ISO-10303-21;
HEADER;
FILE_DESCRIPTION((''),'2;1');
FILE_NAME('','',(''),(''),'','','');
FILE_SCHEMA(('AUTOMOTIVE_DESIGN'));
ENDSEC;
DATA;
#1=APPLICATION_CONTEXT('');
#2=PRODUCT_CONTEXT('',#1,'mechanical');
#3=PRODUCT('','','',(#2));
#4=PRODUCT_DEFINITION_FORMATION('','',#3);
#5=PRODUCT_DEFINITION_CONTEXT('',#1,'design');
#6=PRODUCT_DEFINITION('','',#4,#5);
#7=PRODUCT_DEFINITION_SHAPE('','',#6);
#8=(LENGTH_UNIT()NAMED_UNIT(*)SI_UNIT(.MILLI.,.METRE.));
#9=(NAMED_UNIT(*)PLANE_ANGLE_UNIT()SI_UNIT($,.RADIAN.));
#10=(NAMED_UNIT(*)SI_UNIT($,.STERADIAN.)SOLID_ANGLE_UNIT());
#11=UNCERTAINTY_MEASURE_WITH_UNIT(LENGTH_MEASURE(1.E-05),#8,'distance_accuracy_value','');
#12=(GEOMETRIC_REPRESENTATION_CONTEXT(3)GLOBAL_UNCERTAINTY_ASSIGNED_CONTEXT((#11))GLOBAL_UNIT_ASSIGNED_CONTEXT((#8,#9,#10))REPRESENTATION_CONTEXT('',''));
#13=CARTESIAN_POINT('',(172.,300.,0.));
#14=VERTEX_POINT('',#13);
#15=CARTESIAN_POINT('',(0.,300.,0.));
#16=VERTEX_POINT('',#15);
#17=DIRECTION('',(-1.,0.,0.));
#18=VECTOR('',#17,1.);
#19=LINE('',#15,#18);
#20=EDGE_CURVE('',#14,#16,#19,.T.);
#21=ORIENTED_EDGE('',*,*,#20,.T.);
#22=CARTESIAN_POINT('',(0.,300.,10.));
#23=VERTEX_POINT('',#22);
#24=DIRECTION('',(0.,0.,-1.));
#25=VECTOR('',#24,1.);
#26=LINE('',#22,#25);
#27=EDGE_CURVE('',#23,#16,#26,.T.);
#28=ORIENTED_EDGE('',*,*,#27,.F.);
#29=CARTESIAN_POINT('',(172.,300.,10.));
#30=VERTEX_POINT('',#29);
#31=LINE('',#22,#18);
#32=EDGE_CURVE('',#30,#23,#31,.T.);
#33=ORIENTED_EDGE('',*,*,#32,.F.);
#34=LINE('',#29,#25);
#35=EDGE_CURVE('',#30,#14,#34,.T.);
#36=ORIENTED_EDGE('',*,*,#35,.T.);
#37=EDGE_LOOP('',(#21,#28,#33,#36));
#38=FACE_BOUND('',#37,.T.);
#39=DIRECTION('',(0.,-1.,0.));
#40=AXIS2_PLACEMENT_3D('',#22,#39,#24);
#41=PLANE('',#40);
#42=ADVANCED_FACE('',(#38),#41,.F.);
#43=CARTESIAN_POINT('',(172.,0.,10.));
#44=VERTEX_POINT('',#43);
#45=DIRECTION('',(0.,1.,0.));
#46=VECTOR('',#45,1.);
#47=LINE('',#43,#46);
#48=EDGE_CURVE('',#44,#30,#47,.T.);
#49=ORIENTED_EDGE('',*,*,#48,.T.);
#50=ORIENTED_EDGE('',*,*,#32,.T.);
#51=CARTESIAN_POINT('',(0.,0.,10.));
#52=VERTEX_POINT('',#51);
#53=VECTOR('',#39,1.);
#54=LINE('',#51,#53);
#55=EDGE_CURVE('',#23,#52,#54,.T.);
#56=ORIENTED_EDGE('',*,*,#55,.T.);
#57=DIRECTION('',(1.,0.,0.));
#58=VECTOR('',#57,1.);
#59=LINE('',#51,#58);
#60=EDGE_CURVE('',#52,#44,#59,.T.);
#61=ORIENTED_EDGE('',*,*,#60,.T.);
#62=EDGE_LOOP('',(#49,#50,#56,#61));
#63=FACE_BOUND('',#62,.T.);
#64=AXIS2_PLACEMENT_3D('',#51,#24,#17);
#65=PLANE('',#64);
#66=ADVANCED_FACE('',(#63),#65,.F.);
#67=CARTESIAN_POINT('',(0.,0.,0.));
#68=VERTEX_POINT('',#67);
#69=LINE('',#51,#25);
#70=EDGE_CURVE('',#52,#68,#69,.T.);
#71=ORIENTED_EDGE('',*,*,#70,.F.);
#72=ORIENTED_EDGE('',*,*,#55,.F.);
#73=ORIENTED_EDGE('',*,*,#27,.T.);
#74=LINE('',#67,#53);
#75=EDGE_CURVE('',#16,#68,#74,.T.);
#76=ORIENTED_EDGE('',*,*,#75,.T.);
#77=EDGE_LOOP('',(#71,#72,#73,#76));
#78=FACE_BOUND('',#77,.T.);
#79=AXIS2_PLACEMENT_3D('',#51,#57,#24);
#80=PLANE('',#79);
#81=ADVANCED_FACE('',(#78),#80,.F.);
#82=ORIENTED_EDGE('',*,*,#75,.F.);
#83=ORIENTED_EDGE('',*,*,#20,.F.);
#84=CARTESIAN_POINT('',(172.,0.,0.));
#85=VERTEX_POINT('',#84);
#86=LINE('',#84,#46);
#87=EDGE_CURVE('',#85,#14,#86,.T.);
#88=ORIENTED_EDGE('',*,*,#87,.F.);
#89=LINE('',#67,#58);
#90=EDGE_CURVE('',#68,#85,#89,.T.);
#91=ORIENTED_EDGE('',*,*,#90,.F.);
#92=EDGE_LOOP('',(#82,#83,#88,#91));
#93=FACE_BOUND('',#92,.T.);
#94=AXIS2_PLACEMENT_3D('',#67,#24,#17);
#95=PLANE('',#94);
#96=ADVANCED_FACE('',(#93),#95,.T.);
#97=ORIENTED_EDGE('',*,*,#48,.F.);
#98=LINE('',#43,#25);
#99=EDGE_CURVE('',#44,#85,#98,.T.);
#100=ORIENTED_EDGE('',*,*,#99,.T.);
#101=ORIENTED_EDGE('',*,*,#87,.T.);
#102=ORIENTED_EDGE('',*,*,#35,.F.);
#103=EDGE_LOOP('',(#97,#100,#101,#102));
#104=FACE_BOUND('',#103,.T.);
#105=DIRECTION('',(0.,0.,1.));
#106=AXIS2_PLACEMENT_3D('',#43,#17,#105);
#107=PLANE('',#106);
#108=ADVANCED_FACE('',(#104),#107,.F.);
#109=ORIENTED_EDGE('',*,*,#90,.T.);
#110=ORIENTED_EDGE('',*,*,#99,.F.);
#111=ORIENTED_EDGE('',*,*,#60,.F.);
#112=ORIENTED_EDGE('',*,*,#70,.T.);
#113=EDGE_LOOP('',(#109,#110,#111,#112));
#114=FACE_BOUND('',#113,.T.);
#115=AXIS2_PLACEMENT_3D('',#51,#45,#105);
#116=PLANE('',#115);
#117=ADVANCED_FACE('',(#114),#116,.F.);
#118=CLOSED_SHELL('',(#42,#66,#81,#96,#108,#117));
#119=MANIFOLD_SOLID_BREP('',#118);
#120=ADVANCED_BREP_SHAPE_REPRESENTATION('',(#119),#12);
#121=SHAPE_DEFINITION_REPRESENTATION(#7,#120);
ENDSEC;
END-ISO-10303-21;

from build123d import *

# Parameters (mm, degrees)
SKETCH_2_W      = 172
SKETCH_2_H      = 300
EXTRUDE_1_DEPTH = 10


with BuildPart() as part:
    # Эскиз2 → Бобышка-Вытянуть1 (new body)
    with BuildSketch(Plane.XY):
        with Locations((86, 150)):
            Rectangle(SKETCH_2_W, SKETCH_2_H)
    extrude(amount=EXTRUDE_1_DEPTH)


solid = part.part
